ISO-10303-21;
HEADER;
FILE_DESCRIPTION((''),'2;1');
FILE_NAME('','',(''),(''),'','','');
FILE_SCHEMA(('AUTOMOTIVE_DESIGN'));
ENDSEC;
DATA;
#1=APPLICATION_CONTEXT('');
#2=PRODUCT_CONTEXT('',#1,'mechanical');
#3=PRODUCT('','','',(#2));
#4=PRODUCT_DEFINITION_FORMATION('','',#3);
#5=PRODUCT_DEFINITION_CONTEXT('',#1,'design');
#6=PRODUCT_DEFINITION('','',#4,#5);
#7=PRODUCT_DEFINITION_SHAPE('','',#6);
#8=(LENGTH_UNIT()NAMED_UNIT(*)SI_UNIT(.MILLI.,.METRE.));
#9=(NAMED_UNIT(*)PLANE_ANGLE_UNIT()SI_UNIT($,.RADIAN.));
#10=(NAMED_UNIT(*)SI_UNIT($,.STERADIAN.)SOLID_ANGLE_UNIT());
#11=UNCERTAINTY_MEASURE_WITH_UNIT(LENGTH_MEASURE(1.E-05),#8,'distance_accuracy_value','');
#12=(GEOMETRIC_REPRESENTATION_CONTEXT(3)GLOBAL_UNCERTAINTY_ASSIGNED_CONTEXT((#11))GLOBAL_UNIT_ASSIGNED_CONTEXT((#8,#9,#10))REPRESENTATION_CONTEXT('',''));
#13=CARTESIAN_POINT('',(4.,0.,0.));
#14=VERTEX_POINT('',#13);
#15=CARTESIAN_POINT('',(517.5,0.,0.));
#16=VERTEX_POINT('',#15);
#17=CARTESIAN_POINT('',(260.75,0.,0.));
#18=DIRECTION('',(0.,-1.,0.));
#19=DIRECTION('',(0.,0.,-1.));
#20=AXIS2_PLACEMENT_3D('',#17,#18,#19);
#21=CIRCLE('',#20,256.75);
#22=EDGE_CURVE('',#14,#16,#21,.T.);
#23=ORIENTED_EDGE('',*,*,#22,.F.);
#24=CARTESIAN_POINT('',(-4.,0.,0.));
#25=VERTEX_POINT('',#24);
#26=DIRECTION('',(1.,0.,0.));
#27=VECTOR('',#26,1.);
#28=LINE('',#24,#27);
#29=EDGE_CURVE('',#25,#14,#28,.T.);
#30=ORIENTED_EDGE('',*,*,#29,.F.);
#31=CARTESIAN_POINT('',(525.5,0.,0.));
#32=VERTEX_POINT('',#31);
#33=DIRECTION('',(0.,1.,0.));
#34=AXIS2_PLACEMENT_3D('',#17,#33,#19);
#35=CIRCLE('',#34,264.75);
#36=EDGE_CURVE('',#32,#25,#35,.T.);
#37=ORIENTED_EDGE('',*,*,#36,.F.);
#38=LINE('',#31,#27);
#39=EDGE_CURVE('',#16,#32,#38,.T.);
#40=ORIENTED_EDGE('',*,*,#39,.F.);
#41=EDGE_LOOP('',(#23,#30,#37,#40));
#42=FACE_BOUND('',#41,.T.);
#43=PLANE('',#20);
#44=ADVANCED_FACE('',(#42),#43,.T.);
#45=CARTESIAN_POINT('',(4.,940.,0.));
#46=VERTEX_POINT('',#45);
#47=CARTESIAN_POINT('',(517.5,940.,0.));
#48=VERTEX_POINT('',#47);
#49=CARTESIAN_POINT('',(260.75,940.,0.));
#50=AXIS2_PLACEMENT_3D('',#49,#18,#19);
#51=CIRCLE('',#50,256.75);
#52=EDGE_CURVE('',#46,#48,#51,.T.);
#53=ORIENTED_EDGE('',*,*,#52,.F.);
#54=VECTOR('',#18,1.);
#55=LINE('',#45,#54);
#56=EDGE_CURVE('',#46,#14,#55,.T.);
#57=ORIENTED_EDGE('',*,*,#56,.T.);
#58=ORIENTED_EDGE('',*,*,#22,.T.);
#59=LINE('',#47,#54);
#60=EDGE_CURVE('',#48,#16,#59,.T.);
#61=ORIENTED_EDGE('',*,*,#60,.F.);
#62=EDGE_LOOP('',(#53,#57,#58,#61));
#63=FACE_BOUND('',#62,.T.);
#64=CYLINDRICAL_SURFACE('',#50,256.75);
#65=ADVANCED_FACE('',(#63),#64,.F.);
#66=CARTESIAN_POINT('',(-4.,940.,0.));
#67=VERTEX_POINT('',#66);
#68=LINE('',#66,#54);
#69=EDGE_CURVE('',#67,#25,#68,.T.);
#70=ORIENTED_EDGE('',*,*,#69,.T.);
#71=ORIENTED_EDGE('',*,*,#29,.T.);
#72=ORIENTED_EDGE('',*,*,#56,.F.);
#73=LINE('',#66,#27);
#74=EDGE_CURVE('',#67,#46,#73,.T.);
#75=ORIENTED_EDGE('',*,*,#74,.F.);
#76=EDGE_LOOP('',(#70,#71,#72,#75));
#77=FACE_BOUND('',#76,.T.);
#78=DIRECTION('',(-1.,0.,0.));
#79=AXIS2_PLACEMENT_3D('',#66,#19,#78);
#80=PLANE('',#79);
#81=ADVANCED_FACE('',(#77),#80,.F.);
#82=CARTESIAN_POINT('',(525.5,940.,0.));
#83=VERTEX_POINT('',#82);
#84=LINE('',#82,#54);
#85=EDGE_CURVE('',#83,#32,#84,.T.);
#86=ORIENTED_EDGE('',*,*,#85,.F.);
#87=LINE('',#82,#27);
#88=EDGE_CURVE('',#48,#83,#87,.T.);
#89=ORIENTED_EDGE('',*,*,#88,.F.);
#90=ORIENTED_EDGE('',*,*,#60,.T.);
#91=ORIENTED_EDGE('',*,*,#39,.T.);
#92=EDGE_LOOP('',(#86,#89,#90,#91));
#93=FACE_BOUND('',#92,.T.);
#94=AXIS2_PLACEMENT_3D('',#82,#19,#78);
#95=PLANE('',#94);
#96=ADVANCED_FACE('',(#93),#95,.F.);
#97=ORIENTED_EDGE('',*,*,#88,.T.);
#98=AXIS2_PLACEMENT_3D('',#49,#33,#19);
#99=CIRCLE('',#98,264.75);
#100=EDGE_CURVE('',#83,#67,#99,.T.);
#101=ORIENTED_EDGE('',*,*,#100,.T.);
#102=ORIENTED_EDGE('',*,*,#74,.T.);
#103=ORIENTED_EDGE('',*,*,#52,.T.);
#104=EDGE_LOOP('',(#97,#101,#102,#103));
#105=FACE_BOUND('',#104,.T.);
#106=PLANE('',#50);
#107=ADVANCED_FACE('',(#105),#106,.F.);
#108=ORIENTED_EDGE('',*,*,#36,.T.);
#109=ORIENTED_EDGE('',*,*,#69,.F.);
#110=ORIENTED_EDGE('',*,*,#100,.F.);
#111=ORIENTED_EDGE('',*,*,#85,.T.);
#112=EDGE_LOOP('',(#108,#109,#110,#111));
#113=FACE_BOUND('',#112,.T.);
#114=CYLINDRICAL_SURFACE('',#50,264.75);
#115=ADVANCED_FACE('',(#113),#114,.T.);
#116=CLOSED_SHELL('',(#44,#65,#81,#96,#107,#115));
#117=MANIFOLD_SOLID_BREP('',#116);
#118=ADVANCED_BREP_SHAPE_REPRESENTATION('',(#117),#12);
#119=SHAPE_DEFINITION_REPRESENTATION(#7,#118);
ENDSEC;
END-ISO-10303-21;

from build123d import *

# Parameters (mm, degrees)
BOSS_EXTRUDE1_DEPTH = 940


with BuildPart() as part:
    # Sketch1 → Boss-Extrude1 (new body)
    with BuildSketch(Plane(origin=(0, 0, 0), x_dir=(1, 0, 0), z_dir=(0, 1, 0))):
        with BuildLine():
            Line((-4, 0), (4, 0))
            ThreePointArc((4, 0), (260.75, 256.75), (517.5, 0))
            Line((517.5, 0), (525.5, 0))
            ThreePointArc((525.5, 0), (260.75, 264.75), (-4, 0))
        make_face()
    extrude(amount=BOSS_EXTRUDE1_DEPTH)


solid = part.part
